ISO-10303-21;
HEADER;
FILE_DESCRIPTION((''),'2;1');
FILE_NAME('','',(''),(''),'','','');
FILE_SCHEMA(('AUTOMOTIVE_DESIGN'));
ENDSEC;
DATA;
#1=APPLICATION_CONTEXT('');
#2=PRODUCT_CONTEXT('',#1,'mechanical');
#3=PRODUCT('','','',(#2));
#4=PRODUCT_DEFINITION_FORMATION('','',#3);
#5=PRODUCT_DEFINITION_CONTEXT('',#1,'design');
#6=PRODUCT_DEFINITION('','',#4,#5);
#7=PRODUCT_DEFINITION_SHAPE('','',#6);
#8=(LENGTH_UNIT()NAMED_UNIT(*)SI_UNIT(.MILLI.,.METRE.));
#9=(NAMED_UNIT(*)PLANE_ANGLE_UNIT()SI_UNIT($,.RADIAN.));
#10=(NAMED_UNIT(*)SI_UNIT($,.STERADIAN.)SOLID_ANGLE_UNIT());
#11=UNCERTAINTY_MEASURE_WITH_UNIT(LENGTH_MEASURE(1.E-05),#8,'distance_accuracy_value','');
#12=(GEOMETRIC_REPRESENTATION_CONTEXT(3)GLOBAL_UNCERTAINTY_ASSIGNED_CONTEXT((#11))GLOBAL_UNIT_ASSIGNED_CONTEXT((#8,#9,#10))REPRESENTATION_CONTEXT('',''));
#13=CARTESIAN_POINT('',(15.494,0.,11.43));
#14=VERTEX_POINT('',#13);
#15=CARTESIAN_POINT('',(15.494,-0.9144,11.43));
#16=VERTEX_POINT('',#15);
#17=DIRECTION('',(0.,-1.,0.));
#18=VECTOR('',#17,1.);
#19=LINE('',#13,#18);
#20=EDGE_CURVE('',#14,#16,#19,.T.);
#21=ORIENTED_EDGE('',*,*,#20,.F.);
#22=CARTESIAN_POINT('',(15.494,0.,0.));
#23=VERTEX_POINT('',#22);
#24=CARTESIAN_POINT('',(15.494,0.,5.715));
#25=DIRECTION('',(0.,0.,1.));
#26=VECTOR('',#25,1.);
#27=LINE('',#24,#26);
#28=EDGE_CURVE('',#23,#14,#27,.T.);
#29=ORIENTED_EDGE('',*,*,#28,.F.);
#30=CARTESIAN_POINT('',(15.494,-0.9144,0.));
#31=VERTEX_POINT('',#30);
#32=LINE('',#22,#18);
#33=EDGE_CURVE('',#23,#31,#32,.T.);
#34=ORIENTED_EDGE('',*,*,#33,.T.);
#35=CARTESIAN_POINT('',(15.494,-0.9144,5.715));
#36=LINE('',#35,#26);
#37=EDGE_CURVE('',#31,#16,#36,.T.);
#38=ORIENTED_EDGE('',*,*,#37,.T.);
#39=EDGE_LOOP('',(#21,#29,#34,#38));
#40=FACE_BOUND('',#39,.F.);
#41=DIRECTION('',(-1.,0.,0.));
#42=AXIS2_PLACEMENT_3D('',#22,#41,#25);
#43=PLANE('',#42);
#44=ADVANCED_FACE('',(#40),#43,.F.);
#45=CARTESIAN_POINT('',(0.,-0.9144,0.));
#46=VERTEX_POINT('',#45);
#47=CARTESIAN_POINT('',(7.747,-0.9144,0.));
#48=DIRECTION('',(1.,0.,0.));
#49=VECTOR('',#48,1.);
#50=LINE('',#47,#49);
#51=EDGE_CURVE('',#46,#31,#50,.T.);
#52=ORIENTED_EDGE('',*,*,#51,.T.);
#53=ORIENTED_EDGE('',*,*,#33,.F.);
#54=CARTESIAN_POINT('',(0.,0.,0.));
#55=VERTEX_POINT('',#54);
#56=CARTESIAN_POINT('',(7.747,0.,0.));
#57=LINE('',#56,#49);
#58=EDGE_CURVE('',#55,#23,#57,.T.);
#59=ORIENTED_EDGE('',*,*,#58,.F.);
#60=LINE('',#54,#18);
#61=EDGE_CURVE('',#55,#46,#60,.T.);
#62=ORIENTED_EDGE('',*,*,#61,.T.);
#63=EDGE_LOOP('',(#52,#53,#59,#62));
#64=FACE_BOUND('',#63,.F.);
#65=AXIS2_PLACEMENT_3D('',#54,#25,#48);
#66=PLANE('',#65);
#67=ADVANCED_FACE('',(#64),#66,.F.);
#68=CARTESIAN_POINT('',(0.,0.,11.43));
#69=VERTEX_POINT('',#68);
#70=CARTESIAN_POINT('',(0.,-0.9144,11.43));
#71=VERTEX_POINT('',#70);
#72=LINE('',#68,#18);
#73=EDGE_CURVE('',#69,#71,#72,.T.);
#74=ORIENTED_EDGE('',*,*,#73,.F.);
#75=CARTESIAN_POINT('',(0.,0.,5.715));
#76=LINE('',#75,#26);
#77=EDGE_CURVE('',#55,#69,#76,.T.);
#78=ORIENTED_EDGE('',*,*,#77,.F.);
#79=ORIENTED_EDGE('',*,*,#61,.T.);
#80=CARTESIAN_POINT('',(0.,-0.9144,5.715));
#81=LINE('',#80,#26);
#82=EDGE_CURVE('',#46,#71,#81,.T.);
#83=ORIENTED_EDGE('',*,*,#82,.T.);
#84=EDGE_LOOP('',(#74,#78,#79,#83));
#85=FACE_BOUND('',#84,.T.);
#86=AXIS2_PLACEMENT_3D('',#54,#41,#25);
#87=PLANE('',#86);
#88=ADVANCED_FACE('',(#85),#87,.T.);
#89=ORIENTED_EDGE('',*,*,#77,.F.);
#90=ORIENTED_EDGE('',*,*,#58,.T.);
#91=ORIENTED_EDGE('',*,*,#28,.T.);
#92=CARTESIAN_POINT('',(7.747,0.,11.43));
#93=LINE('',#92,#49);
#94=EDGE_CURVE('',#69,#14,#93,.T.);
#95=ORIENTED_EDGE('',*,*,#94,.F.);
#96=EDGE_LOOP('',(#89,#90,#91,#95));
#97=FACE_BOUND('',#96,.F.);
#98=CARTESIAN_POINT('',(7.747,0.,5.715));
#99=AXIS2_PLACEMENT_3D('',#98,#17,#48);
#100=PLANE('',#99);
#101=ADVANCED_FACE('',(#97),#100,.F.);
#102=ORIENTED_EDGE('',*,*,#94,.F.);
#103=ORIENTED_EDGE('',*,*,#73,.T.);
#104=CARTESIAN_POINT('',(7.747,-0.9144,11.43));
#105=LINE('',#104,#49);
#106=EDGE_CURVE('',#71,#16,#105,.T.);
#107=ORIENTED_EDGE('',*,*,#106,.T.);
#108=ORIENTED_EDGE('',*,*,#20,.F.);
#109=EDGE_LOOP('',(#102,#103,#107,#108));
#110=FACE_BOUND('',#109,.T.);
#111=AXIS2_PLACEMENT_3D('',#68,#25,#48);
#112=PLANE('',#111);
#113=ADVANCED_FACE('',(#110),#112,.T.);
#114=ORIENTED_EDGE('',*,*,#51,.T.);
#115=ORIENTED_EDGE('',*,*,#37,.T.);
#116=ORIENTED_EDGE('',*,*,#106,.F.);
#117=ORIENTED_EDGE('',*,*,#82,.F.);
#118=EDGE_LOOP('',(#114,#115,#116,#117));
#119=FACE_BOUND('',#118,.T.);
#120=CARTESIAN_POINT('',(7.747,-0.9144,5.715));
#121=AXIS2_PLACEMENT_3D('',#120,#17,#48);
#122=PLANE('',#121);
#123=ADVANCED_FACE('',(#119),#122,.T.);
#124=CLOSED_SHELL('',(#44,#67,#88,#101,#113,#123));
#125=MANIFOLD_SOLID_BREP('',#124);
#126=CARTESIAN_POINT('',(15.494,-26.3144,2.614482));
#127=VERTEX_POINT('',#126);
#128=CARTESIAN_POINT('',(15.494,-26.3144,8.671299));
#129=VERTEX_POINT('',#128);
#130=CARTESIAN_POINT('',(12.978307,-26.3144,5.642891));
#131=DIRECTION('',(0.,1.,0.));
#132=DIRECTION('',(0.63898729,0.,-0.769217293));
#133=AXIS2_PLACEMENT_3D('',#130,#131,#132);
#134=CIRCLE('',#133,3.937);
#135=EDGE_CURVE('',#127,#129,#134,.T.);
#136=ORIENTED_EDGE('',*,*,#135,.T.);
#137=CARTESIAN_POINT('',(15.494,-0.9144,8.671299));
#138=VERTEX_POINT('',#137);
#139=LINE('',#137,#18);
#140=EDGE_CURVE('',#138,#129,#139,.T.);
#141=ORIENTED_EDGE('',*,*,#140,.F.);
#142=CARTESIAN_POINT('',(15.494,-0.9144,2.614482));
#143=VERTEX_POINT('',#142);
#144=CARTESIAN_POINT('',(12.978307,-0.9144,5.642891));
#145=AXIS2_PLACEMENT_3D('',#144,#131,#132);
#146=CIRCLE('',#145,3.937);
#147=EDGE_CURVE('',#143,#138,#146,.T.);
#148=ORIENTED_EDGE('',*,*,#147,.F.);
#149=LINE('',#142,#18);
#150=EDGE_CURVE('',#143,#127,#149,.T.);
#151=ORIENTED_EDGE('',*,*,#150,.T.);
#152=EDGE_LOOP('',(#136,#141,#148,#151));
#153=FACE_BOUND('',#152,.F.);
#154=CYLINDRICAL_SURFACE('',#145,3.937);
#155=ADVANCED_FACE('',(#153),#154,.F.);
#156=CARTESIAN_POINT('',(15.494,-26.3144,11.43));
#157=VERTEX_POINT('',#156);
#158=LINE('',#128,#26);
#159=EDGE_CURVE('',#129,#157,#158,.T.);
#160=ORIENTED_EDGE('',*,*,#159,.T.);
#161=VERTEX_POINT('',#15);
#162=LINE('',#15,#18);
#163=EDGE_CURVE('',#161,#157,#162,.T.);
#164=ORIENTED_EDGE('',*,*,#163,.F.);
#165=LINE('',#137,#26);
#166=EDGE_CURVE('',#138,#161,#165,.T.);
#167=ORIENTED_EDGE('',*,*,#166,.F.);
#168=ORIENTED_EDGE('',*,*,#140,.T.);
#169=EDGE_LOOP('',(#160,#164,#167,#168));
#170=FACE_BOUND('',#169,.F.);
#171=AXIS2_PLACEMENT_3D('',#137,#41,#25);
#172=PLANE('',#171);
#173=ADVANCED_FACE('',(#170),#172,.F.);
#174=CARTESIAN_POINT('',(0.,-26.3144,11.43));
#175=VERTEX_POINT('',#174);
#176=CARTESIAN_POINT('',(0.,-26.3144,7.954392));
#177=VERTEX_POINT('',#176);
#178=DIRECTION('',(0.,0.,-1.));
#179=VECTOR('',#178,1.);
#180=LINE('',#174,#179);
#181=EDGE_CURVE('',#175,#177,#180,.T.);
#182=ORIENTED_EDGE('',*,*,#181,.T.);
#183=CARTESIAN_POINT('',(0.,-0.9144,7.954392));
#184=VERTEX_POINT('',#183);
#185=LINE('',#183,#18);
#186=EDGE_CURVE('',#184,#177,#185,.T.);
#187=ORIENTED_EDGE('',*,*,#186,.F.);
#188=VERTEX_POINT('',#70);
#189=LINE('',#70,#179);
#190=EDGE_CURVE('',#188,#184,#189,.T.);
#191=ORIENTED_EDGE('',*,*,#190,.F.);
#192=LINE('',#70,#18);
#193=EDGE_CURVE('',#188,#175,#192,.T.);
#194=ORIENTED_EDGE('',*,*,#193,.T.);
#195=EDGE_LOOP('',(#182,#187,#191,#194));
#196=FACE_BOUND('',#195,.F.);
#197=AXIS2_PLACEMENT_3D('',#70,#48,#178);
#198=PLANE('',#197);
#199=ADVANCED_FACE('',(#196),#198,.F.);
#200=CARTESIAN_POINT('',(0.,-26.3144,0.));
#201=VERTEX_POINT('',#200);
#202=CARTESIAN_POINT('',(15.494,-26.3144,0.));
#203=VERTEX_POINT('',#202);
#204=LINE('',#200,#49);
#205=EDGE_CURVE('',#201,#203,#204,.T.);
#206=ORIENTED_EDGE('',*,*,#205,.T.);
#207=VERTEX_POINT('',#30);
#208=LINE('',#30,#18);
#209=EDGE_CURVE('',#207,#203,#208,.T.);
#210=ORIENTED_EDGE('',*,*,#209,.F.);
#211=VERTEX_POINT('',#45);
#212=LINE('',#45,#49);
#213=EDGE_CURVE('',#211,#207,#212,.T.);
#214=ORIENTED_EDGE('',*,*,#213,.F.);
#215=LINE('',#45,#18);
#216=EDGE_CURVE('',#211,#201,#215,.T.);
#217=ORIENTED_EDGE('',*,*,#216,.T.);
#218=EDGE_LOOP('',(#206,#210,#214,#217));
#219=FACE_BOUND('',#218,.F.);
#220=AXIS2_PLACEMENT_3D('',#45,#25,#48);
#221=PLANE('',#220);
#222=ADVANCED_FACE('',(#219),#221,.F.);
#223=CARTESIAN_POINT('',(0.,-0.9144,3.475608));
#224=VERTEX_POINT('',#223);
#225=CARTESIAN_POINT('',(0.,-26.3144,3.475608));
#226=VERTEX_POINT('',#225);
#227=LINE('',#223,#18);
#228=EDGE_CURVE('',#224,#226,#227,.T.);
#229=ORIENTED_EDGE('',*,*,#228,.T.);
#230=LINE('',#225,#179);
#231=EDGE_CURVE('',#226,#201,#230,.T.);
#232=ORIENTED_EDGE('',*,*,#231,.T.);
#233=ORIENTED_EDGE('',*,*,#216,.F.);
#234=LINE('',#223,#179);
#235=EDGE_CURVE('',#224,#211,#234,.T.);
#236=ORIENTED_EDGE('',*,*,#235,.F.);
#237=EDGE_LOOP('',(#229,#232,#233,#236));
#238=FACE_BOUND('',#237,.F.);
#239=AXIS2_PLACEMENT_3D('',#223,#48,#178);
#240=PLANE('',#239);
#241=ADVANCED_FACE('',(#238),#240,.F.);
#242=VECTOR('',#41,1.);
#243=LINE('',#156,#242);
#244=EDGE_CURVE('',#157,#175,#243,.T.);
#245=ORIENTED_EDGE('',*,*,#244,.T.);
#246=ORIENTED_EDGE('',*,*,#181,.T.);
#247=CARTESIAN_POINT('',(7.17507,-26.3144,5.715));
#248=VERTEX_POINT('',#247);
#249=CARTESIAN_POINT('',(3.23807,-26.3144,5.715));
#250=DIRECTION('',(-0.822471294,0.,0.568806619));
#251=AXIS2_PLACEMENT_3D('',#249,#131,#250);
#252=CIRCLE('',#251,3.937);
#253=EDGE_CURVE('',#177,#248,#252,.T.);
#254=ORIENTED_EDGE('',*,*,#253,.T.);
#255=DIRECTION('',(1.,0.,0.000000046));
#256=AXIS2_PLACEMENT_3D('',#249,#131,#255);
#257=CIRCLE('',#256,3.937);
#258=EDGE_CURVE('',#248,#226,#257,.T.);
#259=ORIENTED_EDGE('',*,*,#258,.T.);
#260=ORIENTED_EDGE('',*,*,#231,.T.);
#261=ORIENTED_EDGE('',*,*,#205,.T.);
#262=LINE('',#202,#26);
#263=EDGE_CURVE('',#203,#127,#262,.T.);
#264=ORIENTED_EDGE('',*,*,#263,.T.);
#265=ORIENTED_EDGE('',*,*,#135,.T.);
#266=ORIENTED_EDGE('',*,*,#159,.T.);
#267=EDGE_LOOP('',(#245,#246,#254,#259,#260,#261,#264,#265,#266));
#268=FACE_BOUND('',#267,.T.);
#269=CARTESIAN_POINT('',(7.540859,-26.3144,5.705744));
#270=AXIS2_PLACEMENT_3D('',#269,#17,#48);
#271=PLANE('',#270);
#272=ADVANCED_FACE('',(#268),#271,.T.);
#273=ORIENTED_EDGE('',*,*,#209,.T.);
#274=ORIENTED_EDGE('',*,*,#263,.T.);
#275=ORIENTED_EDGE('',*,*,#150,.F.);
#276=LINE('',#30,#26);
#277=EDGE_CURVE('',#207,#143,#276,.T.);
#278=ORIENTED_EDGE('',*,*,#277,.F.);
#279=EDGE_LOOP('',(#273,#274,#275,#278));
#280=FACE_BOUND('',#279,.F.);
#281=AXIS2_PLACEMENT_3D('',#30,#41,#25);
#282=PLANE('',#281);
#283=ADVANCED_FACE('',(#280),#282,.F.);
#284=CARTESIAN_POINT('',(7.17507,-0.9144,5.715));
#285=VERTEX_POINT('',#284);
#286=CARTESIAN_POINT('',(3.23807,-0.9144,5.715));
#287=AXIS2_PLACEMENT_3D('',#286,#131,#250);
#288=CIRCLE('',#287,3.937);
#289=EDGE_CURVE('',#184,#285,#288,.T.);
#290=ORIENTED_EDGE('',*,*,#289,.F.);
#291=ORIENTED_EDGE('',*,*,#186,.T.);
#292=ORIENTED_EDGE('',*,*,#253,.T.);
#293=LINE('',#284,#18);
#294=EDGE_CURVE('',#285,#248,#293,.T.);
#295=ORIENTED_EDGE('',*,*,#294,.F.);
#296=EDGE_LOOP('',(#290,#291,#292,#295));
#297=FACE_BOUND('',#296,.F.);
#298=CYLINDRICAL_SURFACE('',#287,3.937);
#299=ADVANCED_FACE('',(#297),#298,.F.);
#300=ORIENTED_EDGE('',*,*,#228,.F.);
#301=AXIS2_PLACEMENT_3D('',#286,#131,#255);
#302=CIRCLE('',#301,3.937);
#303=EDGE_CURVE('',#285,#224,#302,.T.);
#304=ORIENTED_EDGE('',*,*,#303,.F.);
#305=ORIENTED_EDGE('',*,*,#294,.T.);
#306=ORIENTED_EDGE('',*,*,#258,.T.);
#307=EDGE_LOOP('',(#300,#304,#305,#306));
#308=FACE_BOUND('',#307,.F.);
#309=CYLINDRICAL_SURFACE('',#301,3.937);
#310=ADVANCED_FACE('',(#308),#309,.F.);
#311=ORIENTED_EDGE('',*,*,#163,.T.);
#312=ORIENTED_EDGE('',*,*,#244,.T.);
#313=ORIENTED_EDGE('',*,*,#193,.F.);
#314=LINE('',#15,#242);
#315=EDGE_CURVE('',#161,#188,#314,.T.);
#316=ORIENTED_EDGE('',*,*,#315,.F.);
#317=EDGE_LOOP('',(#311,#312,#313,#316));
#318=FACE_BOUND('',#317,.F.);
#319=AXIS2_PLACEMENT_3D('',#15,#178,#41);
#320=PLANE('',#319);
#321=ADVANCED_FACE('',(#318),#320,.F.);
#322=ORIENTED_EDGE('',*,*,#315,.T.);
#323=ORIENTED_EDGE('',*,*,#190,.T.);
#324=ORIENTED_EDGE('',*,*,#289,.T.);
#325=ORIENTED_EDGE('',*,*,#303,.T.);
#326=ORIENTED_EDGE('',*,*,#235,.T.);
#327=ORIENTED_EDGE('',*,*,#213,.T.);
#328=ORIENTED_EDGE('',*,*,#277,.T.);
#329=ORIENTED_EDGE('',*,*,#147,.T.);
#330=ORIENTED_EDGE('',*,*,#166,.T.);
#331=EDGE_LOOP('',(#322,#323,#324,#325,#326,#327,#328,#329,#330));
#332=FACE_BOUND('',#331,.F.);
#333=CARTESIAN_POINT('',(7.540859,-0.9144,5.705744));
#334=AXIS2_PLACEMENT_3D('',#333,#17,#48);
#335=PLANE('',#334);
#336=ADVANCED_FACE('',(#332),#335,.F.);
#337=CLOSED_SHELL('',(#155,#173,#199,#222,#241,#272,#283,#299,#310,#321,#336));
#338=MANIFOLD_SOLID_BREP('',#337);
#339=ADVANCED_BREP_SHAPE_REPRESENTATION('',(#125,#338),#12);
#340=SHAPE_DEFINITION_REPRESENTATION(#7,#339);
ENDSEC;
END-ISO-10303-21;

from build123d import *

# Parameters (mm, degrees)
F0_W     = 15.494
F0_H     = 11.43
F1_DEPTH = 0.9144
F3_DEPTH = 25.4


with BuildPart() as f1:
    # F0 (on Front) → F1 (new body)
    with BuildSketch(Plane.XZ):
        with Locations((7.747, 5.715)):
            Rectangle(F0_W, F0_H)
    extrude(amount=F1_DEPTH)


with BuildPart() as f3:
    # F2 (on face) → F3 (new body)
    with BuildSketch(Plane.XZ.offset(0.9144)):
        with BuildLine():
            ThreePointArc((15.494, 2.614482), (9.041307, 5.64289), (15.494, 8.671299))
            Line((15.494, 8.671299), (15.494, 11.43))
            Line((15.494, 11.43), (0, 11.43))
            Line((0, 11.43), (0, 7.954392))
            ThreePointArc((0, 7.954392), (4.411034, 9.473208), (7.17507, 5.715))
            ThreePointArc((7.17507, 5.715), (4.411034, 1.956792), (0, 3.475608))
            Line((0, 3.475608), (0, 0))
            Line((0, 0), (15.494, 0))
            Line((15.494, 0), (15.494, 2.614482))
        make_face()
    extrude(amount=F3_DEPTH)


solid = Compound([f1.part, f3.part])
